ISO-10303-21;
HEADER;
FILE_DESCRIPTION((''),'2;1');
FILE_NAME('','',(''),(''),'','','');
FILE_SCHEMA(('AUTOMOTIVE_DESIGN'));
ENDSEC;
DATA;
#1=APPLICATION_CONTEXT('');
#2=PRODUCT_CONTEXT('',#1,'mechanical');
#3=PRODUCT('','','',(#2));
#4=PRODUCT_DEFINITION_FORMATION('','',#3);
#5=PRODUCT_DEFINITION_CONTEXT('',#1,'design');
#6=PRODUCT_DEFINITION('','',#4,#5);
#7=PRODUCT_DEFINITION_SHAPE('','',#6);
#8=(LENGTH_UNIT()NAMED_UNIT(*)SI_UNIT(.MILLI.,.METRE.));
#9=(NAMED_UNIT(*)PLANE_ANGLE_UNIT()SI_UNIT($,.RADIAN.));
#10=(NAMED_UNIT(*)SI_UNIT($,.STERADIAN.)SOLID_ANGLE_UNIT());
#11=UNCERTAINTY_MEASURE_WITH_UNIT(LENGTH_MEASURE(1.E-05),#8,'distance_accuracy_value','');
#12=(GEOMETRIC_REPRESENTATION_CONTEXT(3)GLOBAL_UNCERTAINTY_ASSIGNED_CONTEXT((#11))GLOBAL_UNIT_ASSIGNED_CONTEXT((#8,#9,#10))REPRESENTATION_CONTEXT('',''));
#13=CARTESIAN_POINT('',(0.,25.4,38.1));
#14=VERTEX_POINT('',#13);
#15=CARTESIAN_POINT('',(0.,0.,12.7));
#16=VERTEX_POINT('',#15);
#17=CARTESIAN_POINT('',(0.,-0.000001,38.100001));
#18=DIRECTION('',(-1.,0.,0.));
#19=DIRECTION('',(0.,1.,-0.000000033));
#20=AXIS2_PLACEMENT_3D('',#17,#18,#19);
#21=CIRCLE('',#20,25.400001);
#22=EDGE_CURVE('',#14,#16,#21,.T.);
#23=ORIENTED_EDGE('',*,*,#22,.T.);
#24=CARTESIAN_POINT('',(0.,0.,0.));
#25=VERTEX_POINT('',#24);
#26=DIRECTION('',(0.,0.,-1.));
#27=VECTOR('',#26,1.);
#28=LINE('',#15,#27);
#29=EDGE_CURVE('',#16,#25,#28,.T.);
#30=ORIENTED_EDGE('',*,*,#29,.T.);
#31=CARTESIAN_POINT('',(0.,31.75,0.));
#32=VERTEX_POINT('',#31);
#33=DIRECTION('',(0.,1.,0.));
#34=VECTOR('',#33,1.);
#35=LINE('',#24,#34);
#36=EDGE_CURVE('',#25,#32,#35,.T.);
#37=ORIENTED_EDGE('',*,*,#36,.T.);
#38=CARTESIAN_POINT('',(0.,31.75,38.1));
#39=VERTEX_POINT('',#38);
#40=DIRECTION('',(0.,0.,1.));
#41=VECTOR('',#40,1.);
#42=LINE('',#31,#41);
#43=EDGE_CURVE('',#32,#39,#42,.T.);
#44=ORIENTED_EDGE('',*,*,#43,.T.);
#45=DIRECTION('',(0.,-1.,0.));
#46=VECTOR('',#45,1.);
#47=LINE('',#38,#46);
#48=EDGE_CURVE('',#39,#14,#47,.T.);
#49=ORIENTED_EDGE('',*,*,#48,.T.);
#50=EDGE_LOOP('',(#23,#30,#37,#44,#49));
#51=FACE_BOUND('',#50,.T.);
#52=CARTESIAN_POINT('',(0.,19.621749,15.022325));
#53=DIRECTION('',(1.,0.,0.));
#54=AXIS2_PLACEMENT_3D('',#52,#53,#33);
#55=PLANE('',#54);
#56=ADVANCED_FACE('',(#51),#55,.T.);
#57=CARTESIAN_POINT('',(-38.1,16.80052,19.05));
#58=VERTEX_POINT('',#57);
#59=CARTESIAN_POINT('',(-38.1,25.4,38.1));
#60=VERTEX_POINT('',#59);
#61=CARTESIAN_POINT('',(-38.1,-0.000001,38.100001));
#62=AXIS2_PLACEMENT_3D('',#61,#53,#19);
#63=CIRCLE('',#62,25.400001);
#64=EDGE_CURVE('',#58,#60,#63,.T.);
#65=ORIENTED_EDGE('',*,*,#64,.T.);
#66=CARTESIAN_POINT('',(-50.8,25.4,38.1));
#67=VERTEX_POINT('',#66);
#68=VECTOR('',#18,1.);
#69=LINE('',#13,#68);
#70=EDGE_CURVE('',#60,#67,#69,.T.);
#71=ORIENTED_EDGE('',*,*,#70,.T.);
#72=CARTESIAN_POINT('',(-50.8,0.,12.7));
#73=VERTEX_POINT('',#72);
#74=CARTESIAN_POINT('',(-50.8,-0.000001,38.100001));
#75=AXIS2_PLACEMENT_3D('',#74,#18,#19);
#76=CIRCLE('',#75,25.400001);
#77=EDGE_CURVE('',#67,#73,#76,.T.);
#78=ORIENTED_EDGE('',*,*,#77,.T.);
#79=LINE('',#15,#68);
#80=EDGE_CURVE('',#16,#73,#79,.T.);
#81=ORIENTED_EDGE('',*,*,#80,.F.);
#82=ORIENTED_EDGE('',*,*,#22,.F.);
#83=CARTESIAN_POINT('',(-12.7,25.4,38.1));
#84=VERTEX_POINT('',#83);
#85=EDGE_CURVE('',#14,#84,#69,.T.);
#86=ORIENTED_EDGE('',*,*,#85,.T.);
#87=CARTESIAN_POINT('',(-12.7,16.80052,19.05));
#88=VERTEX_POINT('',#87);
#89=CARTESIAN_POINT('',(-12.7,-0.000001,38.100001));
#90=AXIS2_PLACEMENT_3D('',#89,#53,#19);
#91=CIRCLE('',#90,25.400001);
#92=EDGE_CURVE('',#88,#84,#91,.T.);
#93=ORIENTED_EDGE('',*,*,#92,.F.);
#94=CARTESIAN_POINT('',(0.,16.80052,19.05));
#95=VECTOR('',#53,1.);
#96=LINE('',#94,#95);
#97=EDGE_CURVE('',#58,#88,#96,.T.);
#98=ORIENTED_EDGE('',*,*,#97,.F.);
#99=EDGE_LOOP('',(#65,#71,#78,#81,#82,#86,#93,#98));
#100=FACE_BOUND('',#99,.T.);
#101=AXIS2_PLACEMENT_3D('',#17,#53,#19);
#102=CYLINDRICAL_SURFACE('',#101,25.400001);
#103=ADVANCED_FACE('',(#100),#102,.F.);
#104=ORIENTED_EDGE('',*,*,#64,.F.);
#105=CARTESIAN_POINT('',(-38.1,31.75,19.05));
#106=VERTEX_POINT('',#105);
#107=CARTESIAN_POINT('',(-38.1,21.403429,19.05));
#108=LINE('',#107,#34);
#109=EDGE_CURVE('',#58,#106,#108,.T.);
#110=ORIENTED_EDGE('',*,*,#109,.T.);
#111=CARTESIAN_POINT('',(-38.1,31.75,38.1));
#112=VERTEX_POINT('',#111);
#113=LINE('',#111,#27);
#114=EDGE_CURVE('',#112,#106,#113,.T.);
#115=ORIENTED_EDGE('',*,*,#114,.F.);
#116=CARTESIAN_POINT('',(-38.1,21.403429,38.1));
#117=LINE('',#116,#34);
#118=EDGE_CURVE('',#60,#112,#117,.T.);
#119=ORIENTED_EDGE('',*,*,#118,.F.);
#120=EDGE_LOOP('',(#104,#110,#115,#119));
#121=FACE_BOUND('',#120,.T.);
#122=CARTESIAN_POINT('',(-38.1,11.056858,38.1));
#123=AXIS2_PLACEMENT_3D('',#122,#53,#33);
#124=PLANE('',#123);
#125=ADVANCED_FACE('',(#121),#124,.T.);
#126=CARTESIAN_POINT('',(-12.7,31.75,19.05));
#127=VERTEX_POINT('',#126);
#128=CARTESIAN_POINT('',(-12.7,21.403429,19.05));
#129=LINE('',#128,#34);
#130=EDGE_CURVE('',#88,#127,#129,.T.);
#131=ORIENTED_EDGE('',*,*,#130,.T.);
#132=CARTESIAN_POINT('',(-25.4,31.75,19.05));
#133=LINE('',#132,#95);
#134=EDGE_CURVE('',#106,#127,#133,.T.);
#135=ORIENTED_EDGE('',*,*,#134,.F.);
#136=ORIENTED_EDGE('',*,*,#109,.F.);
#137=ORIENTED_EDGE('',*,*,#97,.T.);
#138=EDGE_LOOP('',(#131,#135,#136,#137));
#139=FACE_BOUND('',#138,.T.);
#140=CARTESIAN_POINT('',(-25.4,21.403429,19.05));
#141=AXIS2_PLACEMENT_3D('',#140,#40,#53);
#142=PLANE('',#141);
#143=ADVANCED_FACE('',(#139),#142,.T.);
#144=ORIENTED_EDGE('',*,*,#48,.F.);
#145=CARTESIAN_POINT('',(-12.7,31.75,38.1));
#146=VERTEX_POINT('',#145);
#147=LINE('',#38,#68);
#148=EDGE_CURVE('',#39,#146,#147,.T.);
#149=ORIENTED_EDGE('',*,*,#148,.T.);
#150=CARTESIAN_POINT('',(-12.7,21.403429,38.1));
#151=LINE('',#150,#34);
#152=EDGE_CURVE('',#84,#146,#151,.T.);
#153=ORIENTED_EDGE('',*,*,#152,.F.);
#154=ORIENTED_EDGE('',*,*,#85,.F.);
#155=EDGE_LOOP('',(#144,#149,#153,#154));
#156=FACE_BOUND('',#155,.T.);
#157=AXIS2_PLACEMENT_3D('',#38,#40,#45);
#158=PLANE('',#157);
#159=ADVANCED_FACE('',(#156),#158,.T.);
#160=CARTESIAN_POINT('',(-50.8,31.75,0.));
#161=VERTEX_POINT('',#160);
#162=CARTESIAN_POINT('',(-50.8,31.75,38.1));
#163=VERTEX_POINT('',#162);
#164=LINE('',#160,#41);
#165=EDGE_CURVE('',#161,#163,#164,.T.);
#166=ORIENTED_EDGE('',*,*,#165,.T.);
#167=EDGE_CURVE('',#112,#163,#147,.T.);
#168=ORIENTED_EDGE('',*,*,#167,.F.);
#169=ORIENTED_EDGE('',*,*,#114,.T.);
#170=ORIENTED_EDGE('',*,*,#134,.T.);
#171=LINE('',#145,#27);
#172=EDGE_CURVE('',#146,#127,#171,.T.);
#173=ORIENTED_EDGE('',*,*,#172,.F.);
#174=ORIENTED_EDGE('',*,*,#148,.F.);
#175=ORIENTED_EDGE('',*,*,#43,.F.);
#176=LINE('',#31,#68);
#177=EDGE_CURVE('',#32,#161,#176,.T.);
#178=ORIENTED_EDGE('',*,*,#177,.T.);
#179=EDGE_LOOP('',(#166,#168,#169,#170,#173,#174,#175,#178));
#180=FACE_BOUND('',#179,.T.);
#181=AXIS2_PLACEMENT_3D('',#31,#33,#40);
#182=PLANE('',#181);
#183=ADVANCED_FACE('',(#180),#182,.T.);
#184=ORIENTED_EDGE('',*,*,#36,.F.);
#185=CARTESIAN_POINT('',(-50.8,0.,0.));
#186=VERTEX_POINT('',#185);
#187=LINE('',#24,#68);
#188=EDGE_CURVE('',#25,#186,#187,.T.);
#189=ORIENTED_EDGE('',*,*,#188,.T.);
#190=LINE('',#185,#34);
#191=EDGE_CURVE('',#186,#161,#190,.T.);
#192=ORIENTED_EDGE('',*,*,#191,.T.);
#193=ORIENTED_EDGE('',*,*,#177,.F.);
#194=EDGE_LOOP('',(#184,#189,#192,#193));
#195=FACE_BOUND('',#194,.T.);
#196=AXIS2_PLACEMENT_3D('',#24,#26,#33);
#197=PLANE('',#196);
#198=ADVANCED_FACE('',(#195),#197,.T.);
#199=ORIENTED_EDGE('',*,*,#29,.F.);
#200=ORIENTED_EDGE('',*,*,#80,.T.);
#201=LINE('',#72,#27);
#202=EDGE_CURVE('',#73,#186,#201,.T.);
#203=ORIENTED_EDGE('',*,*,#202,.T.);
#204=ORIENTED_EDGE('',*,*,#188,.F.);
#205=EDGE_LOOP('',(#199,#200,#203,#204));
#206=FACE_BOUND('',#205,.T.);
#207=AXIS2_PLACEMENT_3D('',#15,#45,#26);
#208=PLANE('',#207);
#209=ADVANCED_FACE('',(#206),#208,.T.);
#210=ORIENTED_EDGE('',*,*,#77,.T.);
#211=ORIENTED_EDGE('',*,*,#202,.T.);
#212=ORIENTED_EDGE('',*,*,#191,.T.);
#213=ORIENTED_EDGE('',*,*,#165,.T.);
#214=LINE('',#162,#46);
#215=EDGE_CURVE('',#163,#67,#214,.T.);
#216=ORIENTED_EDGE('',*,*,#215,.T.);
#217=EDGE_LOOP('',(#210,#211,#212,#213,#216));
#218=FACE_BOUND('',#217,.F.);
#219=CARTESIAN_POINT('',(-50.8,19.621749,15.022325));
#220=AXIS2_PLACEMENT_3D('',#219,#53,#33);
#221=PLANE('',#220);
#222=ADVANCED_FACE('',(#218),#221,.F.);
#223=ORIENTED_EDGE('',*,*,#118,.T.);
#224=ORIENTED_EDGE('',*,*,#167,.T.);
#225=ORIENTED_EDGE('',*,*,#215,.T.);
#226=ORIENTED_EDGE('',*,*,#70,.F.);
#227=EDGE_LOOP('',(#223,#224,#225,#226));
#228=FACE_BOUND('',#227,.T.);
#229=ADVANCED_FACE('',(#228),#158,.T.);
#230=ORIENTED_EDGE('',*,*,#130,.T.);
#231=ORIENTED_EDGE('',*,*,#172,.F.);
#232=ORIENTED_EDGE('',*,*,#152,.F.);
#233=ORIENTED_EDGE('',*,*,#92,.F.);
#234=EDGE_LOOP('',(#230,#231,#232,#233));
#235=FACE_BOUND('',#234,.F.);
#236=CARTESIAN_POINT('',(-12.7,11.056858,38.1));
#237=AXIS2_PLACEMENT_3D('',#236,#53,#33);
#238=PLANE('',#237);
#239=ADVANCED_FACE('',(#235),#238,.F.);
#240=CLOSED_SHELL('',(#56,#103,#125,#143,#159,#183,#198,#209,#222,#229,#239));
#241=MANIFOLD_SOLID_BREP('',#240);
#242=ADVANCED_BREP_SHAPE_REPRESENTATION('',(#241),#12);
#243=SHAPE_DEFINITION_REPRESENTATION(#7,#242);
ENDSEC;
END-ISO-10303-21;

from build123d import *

# Parameters (mm, degrees)
F1_DEPTH = 50.8
F2_W     = 25.4
F2_H     = 20.693142
F3_DEPTH = 19.05


with BuildPart() as f1:
    # F0 (on Right) → F1 (new body)
    with BuildSketch(Plane.YZ):
        with BuildLine():
            Line((0, 12.7), (0, 0))
            Line((0, 0), (31.75, 0))
            Line((31.75, 0), (31.75, 38.1))
            Line((31.75, 38.1), (25.4, 38.1))
            ThreePointArc((25.4, 38.1), (17.960512, 20.139488), (0, 12.7))
        make_face()
    extrude(amount=-F1_DEPTH)

    # F2 (on face) → F3 (cut)
    with BuildSketch(Plane.XY.offset(38.1)):
        with Locations((-25.4, 21.403429)):
            Rectangle(F2_W, F2_H)
    extrude(amount=-F3_DEPTH, mode=Mode.SUBTRACT)


solid = f1.part
